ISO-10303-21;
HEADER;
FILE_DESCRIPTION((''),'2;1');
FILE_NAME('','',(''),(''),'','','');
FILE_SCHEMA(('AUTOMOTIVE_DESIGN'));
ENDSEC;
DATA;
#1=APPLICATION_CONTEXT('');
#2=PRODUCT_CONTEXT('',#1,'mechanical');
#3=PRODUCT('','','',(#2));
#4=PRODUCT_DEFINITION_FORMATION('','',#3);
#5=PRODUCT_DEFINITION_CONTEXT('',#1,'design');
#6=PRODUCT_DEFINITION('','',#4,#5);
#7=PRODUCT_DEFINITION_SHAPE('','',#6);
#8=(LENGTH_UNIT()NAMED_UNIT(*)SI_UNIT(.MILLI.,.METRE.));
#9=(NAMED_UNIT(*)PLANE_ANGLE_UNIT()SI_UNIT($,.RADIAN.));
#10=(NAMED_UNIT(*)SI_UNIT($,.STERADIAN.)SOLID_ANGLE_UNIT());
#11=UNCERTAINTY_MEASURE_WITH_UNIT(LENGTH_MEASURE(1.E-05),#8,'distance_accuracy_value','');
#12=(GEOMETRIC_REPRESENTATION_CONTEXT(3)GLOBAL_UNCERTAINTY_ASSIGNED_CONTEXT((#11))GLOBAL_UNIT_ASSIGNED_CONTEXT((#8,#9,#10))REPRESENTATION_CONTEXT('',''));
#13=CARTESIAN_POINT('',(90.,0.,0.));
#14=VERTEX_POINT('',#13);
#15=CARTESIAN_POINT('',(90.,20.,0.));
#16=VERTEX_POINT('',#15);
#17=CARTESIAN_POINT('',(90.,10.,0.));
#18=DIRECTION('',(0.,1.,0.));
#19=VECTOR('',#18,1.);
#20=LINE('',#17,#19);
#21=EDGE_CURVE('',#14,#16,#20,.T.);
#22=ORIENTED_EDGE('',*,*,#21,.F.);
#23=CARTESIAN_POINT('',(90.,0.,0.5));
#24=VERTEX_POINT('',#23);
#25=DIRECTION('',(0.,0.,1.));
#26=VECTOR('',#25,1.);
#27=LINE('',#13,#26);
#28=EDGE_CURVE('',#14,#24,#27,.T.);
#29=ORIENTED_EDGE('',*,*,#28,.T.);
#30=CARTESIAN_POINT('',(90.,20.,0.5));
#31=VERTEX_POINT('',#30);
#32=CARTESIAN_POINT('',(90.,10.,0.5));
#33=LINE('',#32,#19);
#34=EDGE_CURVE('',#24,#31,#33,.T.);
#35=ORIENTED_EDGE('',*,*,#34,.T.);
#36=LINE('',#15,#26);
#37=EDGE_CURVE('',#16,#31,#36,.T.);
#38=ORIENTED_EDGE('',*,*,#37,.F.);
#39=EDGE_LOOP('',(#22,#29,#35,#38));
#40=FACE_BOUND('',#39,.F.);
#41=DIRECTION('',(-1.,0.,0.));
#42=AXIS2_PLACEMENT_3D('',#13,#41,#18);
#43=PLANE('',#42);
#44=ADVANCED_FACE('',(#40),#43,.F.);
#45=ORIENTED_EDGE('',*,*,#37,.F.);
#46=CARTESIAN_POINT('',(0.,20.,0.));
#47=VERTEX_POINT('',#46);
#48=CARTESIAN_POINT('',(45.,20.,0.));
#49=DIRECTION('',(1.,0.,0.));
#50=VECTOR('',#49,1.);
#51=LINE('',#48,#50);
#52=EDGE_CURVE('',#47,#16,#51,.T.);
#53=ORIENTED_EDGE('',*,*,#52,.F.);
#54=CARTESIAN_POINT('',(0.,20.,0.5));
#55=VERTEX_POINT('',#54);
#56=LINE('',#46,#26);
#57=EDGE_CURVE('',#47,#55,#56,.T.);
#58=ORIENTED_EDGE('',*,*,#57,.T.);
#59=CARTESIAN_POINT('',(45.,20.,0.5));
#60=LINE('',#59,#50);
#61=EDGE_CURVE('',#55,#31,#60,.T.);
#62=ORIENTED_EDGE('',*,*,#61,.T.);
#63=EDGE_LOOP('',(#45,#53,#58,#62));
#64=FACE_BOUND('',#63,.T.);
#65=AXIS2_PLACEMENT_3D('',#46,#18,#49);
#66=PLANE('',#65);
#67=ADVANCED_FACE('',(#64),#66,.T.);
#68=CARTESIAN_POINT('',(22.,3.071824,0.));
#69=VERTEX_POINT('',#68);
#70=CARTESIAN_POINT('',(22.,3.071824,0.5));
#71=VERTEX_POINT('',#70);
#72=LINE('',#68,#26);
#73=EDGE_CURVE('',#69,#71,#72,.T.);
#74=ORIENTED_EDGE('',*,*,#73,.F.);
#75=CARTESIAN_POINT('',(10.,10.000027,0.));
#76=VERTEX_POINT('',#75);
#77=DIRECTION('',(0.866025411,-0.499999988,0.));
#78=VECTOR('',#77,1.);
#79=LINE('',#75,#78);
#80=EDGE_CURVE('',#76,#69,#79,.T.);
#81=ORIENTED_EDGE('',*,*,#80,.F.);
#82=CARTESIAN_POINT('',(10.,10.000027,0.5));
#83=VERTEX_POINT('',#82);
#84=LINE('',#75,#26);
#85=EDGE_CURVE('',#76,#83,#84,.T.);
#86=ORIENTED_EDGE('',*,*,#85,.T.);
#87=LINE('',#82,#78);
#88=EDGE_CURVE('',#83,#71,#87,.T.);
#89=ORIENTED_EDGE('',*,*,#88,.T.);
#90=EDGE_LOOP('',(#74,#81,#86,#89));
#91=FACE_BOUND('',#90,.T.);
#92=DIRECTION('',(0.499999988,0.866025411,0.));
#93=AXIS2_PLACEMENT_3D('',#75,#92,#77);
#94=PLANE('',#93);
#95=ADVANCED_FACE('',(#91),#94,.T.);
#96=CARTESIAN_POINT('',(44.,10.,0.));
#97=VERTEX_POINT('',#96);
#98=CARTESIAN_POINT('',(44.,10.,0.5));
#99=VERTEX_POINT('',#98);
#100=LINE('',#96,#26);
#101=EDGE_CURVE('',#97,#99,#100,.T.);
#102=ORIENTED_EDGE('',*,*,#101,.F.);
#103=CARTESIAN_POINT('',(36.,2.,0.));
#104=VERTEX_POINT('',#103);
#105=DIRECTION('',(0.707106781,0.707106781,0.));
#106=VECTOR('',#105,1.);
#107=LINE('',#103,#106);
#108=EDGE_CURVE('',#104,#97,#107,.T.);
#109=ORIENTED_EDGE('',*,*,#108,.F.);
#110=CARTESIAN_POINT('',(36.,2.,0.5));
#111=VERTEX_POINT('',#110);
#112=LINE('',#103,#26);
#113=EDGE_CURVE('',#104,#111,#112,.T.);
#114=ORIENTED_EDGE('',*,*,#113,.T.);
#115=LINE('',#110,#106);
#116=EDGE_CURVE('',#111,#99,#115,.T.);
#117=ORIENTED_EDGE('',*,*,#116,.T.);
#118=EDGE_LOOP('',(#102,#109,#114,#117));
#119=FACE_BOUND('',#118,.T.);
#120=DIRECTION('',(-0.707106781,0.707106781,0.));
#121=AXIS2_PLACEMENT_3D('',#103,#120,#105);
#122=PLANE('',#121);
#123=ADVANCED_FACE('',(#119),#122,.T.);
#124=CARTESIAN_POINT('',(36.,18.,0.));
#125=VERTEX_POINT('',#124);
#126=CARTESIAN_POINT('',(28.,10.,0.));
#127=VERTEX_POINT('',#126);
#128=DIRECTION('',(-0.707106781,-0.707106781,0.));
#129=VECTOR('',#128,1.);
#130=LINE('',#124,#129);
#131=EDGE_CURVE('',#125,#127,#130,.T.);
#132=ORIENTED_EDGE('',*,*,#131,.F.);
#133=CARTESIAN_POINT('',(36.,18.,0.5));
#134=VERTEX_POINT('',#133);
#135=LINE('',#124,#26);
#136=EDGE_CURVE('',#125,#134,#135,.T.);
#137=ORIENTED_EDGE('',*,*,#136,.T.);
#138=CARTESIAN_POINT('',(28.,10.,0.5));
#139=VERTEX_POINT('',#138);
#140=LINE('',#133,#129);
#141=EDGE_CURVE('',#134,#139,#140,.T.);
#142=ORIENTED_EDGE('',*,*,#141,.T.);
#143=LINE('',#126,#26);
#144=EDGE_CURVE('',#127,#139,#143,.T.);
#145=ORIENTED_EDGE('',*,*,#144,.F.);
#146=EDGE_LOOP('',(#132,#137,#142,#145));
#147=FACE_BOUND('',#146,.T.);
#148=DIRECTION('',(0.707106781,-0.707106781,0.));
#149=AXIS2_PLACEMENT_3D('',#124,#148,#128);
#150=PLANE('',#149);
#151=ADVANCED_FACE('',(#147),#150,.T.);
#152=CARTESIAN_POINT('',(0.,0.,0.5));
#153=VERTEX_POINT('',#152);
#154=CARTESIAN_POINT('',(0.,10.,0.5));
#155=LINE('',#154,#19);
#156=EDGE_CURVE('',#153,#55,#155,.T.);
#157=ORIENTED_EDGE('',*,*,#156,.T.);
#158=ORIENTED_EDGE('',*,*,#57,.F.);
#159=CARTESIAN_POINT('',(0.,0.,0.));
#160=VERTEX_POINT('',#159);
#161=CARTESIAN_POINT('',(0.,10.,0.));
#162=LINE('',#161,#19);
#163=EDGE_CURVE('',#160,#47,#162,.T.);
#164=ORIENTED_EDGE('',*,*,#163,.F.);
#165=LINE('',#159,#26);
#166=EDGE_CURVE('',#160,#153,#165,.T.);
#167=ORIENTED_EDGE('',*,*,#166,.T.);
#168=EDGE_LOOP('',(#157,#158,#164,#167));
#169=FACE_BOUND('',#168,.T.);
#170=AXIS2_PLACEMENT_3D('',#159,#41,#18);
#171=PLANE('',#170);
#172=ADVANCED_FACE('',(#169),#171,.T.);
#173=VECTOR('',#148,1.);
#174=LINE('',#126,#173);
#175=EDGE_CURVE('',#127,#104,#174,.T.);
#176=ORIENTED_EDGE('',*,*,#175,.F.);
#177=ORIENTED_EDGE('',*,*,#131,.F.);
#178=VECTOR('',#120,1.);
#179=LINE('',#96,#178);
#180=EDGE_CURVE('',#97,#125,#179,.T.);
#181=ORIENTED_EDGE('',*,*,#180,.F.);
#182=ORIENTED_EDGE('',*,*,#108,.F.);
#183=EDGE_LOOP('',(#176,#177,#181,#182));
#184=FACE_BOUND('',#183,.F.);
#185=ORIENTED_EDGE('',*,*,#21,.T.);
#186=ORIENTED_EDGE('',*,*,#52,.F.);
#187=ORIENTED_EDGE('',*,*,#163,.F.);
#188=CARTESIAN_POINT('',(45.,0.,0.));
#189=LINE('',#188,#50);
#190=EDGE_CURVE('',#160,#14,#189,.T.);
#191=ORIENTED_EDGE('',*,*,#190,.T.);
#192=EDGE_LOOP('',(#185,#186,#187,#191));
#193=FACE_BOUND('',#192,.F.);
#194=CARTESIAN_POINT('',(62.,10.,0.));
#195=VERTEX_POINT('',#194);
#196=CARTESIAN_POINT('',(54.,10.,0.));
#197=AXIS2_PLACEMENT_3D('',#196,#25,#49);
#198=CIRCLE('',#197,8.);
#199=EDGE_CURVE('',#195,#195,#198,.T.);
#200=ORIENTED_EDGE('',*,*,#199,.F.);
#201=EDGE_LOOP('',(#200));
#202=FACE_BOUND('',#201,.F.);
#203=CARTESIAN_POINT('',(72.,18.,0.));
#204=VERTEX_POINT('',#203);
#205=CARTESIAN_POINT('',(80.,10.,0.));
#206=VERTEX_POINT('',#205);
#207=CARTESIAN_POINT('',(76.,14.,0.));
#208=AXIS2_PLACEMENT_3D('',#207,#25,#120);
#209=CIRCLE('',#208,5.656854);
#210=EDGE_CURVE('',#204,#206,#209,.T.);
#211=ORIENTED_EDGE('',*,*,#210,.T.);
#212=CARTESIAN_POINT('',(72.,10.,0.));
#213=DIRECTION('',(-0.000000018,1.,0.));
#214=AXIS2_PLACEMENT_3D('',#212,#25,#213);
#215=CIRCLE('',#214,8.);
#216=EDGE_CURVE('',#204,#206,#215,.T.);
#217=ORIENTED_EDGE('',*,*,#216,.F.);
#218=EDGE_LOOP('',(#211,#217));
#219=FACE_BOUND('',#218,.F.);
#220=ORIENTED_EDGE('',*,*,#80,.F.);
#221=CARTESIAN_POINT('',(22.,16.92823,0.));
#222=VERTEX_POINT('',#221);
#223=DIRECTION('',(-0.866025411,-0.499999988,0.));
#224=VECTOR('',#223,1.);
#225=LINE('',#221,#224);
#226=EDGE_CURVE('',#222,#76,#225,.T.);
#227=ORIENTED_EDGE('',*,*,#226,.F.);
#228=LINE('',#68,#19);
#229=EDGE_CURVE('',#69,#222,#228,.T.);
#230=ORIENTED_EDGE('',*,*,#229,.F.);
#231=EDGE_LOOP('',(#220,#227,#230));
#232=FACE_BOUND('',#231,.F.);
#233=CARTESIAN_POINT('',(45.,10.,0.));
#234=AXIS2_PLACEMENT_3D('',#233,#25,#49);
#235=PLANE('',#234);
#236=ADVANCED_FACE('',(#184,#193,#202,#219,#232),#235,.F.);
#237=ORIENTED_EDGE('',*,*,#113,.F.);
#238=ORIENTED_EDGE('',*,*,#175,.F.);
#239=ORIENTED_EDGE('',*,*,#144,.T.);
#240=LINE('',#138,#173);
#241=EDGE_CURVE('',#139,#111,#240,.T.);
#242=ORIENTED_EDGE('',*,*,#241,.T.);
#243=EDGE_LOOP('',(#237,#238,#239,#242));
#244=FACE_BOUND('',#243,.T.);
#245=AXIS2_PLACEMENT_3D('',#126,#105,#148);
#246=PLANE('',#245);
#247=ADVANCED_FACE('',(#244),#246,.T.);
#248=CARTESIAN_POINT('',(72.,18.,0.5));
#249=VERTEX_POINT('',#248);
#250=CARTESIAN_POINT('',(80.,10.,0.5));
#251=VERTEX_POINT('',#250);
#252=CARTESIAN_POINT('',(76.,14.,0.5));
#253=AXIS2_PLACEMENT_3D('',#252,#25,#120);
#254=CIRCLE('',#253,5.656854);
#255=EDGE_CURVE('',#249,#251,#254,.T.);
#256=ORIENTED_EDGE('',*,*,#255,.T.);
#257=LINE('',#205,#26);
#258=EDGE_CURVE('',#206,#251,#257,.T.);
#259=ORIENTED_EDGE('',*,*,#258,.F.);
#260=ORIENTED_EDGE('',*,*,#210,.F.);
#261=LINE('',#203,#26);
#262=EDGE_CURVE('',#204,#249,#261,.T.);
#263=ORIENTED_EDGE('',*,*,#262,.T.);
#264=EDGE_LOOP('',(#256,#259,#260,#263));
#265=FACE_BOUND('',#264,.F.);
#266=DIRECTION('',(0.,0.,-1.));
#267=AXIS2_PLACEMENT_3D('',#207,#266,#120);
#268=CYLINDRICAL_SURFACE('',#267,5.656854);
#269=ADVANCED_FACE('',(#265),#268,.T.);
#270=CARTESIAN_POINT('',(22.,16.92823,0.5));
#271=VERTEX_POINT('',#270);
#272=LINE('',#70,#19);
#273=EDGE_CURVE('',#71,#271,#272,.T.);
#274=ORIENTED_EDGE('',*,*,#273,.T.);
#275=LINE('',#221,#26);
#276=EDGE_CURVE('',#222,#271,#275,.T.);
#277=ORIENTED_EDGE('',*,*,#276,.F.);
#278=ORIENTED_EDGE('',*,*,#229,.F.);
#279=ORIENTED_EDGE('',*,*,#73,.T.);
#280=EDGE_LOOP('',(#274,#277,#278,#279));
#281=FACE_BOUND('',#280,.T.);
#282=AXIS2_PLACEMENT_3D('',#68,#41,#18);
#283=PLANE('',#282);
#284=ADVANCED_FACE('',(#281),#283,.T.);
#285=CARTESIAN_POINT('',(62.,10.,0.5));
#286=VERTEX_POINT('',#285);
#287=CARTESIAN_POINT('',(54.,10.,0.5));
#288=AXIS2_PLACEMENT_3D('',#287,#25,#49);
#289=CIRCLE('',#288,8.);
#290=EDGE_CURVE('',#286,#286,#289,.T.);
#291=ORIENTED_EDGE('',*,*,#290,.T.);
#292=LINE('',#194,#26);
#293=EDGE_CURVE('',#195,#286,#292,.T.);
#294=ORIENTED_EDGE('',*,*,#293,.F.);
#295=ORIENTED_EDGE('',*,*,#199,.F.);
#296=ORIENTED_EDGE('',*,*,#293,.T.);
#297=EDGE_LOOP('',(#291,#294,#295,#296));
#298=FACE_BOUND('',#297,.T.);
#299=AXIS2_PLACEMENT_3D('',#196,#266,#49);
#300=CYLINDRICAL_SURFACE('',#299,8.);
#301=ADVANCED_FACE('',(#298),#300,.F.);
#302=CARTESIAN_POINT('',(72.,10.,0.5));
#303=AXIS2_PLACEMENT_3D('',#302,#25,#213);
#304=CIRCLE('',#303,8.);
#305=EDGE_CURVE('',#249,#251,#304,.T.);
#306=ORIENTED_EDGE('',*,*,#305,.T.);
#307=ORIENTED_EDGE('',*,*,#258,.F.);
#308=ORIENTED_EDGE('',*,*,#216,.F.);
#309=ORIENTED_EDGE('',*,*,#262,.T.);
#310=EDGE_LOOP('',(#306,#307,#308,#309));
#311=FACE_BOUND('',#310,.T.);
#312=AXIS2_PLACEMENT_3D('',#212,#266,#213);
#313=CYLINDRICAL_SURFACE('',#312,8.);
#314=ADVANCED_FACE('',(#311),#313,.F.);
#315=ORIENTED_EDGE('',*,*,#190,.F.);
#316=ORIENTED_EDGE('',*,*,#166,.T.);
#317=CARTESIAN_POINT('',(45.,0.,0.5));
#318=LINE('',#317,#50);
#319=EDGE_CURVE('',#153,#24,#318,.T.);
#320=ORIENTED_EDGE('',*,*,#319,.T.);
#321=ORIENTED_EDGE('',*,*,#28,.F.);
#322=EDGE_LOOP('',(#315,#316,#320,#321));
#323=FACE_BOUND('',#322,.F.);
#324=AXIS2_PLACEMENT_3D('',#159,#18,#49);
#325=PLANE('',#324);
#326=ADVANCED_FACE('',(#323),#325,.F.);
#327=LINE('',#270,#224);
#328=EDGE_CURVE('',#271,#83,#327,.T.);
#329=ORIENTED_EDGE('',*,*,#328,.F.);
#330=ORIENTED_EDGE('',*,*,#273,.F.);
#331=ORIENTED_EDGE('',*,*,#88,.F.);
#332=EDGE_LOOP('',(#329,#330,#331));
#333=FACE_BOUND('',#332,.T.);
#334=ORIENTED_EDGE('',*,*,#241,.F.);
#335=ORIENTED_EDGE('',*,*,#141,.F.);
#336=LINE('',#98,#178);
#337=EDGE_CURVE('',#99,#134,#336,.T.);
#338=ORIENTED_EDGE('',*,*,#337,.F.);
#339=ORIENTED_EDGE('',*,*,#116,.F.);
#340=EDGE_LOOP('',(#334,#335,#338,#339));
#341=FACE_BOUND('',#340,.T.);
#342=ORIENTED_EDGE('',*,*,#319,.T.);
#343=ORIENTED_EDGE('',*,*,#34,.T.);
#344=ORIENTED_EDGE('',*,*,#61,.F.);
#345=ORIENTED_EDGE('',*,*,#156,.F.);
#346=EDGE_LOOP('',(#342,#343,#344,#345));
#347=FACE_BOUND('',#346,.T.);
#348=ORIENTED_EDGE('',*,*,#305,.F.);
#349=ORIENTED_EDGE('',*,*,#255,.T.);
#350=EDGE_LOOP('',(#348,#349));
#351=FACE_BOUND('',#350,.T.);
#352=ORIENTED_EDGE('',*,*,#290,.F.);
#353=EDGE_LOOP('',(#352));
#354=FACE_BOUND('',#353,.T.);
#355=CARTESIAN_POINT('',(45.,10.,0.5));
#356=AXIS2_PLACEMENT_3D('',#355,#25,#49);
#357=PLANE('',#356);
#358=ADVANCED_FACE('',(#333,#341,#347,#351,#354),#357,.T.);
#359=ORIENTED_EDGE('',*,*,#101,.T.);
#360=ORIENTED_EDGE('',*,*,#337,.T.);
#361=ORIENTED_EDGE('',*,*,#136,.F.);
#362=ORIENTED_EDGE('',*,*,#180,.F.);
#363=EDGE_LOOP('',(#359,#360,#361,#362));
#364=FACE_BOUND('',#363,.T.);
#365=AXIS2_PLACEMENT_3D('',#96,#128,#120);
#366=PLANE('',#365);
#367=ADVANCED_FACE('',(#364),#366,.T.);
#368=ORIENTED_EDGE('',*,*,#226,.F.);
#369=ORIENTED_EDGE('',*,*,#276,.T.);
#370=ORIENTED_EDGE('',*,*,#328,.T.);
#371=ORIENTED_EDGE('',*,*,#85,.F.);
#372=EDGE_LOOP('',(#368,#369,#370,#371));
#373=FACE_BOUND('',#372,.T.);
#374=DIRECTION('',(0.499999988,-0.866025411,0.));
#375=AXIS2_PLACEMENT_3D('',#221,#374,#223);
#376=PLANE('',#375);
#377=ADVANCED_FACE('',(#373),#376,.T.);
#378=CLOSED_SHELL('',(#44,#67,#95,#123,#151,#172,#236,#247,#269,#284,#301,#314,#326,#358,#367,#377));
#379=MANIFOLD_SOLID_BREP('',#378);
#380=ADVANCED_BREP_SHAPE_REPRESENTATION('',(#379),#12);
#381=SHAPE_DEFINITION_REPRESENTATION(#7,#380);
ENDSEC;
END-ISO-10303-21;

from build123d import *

# Parameters (mm, degrees)
SKETCH_W  = 90
SKETCH_H  = 20
SKETCH_R  = 8
PAD_DEPTH = 0.5


with BuildPart() as part:
    # Sketch → Pad (new body)
    with BuildSketch(Plane.XY):
        with Locations((45, 10)):
            Rectangle(SKETCH_W, SKETCH_H)
        with Locations((54, 10)):
            Circle(SKETCH_R, mode=Mode.SUBTRACT)
        Polygon((44, 10), (36, 18), (28, 10), (36, 2), align=None, mode=Mode.SUBTRACT)
        with BuildLine():
            ThreePointArc((72, 18), (66.343146, 4.343146), (80, 10))
            ThreePointArc((72, 18), (72, 10), (80, 10))
        make_face(mode=Mode.SUBTRACT)
        Polygon((22, 3.071824), (22, 16.92823), (10, 10.000027), align=None, mode=Mode.SUBTRACT)
    extrude(amount=PAD_DEPTH)


solid = part.part
